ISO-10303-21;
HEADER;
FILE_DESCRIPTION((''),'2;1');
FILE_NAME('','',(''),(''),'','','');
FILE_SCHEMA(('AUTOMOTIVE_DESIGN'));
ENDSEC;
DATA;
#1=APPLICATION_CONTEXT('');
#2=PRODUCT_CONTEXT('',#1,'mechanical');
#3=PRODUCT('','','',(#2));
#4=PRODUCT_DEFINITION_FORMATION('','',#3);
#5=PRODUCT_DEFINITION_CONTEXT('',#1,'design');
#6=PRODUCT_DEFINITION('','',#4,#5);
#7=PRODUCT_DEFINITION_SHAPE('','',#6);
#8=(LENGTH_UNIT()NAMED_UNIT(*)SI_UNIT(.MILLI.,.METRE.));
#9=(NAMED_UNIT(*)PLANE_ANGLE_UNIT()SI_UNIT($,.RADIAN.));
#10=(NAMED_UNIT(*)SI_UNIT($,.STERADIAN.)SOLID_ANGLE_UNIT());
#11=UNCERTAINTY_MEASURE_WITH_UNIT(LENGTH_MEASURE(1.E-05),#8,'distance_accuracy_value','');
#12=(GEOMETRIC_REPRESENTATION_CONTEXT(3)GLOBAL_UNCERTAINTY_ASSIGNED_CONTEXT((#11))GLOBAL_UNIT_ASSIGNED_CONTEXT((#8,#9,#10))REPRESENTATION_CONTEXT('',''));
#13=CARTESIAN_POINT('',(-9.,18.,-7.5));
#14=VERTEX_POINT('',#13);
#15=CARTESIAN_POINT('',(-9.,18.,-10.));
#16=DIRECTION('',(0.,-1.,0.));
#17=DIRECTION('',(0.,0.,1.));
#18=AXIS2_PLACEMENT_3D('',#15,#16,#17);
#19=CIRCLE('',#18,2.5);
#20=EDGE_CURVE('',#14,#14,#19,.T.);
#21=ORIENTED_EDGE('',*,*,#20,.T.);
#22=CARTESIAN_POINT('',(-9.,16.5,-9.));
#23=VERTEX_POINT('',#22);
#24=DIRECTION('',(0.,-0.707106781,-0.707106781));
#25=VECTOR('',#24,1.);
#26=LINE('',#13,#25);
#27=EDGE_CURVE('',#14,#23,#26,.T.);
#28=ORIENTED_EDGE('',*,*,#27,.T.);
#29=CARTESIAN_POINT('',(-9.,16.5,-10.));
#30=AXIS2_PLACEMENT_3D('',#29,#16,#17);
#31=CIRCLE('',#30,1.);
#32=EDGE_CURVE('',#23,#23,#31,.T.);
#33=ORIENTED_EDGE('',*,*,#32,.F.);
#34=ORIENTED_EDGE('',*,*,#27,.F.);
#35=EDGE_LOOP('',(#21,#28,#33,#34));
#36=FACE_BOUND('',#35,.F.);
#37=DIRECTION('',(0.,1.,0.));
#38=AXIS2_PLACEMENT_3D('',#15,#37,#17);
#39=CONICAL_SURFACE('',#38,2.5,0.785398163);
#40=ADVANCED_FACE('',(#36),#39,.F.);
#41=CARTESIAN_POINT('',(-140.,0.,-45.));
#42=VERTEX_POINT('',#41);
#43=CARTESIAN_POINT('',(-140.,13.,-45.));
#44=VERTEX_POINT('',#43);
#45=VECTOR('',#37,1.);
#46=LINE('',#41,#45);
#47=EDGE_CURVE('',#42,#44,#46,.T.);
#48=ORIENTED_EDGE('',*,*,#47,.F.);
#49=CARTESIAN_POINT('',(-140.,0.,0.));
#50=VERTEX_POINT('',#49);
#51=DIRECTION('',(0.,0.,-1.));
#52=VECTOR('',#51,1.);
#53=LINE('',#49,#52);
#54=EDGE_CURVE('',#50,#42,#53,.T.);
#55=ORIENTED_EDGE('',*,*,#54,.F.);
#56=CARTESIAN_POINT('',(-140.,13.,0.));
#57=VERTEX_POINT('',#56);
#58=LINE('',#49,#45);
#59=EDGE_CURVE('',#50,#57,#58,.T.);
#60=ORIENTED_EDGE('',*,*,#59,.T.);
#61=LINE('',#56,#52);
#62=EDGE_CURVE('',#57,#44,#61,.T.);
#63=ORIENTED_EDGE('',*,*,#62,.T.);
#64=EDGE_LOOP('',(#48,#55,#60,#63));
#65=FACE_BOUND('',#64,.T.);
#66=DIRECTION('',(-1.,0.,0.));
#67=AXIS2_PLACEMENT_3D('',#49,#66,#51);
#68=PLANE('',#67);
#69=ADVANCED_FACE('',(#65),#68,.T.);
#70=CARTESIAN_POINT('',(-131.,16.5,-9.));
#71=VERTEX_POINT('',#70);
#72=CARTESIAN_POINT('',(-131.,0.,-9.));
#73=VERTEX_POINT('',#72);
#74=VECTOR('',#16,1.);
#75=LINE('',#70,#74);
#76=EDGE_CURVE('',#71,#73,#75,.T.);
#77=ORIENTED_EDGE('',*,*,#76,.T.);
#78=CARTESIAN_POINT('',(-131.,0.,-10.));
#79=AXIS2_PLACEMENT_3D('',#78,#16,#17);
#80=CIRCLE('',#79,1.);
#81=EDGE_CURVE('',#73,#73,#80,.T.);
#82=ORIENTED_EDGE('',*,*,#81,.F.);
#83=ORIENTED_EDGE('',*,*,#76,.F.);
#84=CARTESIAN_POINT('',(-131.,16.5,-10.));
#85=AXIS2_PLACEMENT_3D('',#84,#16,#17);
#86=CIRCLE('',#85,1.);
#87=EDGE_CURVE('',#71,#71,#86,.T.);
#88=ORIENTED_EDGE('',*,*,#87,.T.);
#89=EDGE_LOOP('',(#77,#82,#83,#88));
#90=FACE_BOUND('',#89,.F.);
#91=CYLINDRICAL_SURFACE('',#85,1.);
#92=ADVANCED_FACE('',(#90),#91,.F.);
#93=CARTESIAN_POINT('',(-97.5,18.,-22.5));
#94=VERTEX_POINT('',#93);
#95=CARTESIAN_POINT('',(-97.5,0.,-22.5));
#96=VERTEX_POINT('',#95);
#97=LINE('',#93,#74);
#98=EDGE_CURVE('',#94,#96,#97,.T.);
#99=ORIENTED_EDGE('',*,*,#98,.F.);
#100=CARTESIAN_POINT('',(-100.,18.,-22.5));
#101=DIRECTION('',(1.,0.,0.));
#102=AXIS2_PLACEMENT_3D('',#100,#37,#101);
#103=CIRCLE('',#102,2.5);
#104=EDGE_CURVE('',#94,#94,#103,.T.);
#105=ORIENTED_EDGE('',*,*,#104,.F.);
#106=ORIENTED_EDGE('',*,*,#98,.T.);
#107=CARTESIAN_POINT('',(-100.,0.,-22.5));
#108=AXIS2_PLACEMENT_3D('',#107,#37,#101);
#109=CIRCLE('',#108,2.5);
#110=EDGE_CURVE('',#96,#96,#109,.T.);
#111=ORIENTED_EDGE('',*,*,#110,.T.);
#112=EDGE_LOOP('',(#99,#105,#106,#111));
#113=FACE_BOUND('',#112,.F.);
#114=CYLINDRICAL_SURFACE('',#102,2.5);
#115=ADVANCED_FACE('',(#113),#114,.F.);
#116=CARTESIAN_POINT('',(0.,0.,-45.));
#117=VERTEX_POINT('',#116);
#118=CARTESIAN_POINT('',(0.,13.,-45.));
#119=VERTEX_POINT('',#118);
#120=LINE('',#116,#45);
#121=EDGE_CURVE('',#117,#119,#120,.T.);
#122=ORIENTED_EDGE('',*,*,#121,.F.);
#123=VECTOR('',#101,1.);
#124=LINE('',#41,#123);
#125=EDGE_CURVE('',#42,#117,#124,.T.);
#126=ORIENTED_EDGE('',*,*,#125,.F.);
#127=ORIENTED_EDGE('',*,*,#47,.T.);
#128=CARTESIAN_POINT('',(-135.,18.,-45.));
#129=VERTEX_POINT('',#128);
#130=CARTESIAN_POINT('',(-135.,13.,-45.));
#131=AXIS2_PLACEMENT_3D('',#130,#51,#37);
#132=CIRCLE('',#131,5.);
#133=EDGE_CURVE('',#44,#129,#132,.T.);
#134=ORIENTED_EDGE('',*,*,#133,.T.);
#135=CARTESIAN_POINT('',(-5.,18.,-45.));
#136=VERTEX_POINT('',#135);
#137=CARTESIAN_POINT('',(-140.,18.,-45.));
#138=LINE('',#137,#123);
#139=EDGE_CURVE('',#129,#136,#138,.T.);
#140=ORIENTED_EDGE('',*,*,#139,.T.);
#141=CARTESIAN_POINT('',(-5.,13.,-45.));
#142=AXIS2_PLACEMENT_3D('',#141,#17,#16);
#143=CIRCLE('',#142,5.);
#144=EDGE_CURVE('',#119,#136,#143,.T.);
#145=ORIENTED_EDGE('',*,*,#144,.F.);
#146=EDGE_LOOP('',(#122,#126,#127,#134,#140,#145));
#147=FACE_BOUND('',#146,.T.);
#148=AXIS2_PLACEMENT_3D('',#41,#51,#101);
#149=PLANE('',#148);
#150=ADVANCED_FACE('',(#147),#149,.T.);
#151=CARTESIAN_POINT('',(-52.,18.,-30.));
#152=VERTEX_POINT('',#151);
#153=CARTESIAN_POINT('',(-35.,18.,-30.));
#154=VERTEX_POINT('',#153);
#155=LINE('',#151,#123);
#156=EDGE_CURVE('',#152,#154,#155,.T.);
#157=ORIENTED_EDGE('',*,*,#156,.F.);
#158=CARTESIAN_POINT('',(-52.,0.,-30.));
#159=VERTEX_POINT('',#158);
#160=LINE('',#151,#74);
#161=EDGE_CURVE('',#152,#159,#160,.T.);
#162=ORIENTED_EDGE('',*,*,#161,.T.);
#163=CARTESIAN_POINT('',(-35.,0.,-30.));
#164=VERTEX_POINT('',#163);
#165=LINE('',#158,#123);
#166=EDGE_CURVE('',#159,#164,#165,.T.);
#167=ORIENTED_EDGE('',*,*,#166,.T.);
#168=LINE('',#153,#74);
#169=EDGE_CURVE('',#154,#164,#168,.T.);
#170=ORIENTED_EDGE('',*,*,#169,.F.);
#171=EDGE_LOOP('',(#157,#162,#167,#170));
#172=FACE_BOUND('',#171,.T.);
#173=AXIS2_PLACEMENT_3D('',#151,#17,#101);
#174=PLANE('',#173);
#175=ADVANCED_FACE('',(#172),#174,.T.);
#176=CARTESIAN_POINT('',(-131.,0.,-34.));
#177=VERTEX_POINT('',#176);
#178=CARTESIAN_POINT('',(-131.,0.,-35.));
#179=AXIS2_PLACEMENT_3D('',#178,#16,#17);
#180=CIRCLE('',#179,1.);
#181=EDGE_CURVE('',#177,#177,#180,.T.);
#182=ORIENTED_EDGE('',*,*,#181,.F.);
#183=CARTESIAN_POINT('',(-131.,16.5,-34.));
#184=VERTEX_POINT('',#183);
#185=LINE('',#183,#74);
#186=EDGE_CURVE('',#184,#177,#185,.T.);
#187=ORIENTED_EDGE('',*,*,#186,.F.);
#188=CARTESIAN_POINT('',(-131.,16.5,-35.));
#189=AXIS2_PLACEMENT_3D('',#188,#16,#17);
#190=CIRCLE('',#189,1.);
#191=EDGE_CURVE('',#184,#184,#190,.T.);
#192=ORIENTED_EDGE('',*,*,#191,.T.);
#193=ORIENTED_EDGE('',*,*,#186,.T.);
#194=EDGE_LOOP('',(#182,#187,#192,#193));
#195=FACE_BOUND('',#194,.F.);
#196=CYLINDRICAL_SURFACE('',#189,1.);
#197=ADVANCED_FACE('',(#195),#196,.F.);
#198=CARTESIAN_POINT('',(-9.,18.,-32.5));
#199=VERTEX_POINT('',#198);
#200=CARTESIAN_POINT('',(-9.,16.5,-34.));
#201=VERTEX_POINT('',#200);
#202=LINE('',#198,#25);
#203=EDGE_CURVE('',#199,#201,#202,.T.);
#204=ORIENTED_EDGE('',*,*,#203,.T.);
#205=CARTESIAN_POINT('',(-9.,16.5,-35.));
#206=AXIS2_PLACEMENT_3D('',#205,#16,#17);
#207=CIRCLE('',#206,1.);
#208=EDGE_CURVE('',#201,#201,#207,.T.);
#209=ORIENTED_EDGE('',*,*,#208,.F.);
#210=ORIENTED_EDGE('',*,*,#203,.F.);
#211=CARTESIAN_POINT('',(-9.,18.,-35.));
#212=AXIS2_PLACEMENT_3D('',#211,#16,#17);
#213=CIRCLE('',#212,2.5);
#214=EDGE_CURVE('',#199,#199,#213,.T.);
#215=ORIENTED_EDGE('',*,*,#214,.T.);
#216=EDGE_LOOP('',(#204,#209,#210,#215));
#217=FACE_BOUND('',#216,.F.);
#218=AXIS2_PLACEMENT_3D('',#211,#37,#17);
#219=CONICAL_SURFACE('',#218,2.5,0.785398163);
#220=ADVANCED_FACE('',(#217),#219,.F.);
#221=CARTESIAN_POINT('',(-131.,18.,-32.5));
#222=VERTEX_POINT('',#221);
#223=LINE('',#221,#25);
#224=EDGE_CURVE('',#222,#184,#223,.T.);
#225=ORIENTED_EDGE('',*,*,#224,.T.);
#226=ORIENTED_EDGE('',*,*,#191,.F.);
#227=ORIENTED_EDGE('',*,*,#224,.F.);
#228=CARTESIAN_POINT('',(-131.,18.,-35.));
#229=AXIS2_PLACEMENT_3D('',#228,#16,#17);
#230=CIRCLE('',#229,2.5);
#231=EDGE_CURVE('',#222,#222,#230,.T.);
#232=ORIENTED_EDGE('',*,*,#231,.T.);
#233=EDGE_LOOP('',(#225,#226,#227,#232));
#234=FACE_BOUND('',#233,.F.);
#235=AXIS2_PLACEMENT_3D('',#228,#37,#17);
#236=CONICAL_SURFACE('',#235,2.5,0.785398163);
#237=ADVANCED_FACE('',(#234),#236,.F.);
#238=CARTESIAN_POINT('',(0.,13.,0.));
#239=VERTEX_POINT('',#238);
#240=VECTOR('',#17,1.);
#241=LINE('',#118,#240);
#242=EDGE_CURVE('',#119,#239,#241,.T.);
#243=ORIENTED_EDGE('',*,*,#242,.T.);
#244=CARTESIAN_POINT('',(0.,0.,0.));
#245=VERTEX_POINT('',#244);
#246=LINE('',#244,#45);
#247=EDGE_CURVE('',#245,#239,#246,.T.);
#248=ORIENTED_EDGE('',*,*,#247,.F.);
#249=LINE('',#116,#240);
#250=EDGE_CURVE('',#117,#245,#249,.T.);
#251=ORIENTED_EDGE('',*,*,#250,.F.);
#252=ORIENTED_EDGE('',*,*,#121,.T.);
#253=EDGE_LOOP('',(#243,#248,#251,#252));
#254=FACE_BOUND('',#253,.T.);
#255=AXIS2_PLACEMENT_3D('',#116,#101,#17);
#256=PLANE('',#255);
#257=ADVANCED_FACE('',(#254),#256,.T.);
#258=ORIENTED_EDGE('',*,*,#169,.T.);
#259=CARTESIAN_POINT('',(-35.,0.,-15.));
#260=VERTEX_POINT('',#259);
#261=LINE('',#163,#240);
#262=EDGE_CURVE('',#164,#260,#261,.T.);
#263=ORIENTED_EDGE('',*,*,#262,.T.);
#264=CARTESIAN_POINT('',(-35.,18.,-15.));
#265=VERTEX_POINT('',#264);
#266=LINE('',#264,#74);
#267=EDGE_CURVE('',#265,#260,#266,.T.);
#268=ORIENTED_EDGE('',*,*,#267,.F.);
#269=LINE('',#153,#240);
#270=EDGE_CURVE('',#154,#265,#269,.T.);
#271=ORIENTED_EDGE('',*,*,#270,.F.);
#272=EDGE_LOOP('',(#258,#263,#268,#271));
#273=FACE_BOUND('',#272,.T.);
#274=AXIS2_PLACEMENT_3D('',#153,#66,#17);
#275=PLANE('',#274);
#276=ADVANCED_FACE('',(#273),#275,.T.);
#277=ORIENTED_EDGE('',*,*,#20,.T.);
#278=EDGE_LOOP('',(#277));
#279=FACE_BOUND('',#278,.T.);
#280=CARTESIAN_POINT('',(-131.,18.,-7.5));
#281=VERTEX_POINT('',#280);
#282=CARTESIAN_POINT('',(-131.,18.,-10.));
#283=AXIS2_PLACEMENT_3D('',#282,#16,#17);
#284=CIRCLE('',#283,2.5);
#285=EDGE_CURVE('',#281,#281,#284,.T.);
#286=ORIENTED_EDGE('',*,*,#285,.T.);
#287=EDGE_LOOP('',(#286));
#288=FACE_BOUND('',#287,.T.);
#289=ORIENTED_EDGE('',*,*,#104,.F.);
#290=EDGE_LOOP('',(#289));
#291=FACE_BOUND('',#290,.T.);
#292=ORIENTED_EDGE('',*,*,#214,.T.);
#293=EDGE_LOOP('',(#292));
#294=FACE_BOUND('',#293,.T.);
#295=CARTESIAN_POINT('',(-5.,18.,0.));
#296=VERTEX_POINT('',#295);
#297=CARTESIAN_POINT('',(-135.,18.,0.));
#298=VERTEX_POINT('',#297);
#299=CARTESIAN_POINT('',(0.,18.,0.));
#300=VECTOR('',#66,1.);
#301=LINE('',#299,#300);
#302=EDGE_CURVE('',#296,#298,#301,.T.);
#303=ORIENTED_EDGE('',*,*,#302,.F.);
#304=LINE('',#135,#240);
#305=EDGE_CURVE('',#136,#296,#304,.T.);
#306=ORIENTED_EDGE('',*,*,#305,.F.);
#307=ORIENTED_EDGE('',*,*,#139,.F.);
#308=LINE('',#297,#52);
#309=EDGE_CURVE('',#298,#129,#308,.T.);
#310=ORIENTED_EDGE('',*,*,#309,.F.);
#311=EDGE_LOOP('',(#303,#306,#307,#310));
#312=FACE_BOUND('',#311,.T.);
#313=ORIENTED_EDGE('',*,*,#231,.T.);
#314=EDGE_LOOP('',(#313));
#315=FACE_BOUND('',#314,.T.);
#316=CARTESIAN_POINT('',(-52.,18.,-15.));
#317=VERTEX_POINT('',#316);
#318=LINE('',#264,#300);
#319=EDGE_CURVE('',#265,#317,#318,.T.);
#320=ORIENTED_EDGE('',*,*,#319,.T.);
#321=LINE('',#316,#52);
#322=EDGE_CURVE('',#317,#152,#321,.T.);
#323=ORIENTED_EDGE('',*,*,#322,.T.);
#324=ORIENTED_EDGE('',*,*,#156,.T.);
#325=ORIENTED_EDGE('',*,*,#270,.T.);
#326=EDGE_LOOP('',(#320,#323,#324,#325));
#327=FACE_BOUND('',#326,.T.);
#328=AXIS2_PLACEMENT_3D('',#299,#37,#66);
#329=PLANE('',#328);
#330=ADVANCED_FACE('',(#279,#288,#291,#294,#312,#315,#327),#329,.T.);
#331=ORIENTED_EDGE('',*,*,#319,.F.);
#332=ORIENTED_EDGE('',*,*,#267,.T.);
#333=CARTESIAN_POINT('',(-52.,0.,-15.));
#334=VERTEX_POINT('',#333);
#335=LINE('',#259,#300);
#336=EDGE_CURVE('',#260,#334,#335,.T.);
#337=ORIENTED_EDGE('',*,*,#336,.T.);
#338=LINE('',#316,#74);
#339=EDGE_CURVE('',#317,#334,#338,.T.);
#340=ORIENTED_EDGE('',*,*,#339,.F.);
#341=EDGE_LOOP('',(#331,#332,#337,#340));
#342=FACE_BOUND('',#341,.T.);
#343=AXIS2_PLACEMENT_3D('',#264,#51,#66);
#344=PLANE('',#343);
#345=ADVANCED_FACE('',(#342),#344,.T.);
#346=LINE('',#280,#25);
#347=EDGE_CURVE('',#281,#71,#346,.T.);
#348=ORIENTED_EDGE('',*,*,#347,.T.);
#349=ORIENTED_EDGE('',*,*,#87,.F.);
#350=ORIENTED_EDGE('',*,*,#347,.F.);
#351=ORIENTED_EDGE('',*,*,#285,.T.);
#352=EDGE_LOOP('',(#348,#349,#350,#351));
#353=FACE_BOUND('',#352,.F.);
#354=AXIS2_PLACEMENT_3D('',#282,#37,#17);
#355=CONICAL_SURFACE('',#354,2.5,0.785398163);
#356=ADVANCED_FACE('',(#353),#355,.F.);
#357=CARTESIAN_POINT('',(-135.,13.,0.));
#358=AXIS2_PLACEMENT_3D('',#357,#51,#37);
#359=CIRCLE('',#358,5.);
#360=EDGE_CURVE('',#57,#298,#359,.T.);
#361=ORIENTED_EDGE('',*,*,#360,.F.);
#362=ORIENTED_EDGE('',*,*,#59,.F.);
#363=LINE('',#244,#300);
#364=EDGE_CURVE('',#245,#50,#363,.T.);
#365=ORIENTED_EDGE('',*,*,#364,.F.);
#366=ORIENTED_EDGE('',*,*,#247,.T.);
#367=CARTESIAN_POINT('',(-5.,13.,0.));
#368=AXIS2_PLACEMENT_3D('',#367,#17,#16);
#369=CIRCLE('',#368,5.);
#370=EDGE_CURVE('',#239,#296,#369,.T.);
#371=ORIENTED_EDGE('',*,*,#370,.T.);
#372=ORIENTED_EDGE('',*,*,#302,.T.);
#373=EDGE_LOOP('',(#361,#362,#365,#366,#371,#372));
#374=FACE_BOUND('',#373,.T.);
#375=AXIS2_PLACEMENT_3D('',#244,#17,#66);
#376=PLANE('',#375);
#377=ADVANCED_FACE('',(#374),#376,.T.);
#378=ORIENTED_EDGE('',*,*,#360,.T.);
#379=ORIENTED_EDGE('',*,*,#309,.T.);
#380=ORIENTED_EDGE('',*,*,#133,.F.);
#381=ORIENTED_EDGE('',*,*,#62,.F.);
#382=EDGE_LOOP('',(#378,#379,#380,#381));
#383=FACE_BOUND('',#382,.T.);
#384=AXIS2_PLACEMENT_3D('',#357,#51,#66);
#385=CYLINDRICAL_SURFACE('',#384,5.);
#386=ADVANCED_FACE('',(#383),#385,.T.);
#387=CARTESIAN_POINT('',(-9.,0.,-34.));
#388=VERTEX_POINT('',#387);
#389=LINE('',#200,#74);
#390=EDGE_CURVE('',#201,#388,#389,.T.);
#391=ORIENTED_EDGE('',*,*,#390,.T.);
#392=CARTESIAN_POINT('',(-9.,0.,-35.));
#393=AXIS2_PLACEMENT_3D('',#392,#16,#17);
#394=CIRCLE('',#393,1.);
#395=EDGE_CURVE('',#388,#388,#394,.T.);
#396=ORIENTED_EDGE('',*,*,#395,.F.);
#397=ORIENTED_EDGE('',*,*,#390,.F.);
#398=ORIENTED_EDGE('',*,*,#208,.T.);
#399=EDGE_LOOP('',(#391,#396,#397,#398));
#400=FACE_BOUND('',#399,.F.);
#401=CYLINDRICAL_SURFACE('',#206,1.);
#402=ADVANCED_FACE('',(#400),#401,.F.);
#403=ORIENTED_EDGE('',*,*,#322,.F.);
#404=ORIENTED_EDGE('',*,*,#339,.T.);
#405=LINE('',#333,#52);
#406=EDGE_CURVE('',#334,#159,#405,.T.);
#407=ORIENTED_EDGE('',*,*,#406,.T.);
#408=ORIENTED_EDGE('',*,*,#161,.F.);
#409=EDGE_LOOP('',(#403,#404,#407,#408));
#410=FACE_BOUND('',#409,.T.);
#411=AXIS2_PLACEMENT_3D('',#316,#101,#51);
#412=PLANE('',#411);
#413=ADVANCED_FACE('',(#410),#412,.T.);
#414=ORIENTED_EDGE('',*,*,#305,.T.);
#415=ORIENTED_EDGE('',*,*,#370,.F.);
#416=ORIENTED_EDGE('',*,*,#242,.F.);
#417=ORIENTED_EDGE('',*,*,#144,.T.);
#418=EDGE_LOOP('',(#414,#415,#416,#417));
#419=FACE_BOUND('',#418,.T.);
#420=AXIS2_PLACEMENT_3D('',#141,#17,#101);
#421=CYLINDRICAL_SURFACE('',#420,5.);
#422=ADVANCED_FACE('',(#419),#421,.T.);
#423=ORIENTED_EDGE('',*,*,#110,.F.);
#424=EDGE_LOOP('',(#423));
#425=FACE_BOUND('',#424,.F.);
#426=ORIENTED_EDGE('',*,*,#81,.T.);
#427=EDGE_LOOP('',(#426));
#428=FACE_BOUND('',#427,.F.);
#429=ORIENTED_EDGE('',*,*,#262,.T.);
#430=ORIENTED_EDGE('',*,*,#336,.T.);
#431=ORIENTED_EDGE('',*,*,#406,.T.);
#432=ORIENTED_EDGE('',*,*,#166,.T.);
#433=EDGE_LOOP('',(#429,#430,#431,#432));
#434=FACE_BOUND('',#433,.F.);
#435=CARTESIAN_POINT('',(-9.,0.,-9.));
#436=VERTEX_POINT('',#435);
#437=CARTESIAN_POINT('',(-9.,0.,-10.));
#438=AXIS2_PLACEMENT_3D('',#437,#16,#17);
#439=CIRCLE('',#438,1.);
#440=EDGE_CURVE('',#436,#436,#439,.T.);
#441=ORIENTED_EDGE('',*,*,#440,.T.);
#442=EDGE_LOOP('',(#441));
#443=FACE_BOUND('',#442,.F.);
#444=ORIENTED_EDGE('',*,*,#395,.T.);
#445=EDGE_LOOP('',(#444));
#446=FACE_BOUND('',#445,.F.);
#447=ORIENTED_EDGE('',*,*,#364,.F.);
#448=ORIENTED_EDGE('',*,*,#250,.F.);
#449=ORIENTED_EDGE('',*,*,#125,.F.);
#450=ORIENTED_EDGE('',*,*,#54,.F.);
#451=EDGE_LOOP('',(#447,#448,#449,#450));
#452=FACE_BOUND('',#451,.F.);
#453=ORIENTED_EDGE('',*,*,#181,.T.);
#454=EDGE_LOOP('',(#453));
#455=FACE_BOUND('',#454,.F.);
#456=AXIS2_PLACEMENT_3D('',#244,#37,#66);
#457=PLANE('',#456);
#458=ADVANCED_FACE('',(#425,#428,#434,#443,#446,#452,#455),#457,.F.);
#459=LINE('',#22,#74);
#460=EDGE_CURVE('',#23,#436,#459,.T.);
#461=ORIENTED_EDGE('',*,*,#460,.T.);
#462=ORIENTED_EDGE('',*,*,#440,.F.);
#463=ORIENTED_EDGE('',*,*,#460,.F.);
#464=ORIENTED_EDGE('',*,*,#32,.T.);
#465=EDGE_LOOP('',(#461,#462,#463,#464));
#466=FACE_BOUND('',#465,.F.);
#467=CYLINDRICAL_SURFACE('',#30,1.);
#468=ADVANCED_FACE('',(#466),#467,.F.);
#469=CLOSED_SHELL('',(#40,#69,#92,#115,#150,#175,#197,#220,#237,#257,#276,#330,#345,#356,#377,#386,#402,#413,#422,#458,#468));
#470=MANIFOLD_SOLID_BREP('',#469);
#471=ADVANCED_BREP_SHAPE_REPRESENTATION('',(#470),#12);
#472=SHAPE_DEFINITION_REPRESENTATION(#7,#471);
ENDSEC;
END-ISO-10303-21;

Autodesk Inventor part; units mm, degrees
ref_plane "YZ Plane" through (0, 0, 0) normal (1, 0, 0) x (0, 1, 0)
ref_plane "XZ Plane" through (0, 0, 0) normal (0, 1, 0) x (-1, 0, 0)
ref_plane "XY Plane" through (0, 0, 0) normal (0, 0, 1) x (1, 0, 0)
sketch "Skizze1" plane through (0, 0, 0) normal (0, 1, 0) x (-1, 0, 0)
  line L0 (0, 0) -> (140, 0)
  line L1 (140, 0) -> (140, -45)
  line L2 (140, -45) -> (0, -45)
  line L3 (0, -45) -> (0, 0)
  dimension "d0" = 140
  dimension "d1" = 45
extrude "Extrusion1" add sketch "Skizze1" along normal blind 18
sketch "Skizze2" plane through (0, 18, 0) normal (0, 1, 0) x (1, 0, 0)
  line L0 (0, 0) -> (0, 45) projected
  line L1 (0, 45) -> (-140, 45) projected
  line L2 (-140, 45) -> (-140, 0) projected
  point P0 (-131, 35)
  point P1 (-131, 10)
  point P2 (-9, 35)
  point P3 (-9, 10)
  dimension "d14" = 10
  dimension "d15" = 25
  dimension "d16" = 10
  dimension "d17" = 25
  dimension "d18" = 9
  dimension "d19" = 9
hole "Bohrung1" at (-131, 18, -35) at (-131, 18, -10) at (-9, 18, -35) at (-9, 18, -10) direction (0, -1, 0) diameter 2 end through all countersink diameter 5 countersink angle 90
fillet "Rundung3" radius 5 2 edges at (0, 18, -22.5) (-140, 18, -22.5)
sketch "Skizze3" plane through (0, 18, 0) normal (0, 1, 0) x (1, 0, 0)
  line L0 (-135, 0) -> (-5, 0) projected
  line L1 (-35, 15) -> (-52, 15)
  line L2 (-52, 15) -> (-52, 30)
  line L3 (-52, 30) -> (-35, 30)
  line L4 (-35, 30) -> (-35, 15)
  line L5 (0, 0) -> (0, 45) projected
  line L6 (-140, 45) -> (-140, 0) projected
  circle A0 centre (-100, 22.5) radius 2.5
  dimension "d32" = 17
  dimension "d33" = 15
  dimension "d34" = 15
  dimension "d39" = 35
  dimension "d40" = 5
  dimension "d41" = 22.5
  dimension "d42" = 40
extrude "Extrusion3" cut sketch "Skizze3" against normal blind 18
properties part number "Seitenteil_mit_Sensoren" material "Eiche, weiß"
